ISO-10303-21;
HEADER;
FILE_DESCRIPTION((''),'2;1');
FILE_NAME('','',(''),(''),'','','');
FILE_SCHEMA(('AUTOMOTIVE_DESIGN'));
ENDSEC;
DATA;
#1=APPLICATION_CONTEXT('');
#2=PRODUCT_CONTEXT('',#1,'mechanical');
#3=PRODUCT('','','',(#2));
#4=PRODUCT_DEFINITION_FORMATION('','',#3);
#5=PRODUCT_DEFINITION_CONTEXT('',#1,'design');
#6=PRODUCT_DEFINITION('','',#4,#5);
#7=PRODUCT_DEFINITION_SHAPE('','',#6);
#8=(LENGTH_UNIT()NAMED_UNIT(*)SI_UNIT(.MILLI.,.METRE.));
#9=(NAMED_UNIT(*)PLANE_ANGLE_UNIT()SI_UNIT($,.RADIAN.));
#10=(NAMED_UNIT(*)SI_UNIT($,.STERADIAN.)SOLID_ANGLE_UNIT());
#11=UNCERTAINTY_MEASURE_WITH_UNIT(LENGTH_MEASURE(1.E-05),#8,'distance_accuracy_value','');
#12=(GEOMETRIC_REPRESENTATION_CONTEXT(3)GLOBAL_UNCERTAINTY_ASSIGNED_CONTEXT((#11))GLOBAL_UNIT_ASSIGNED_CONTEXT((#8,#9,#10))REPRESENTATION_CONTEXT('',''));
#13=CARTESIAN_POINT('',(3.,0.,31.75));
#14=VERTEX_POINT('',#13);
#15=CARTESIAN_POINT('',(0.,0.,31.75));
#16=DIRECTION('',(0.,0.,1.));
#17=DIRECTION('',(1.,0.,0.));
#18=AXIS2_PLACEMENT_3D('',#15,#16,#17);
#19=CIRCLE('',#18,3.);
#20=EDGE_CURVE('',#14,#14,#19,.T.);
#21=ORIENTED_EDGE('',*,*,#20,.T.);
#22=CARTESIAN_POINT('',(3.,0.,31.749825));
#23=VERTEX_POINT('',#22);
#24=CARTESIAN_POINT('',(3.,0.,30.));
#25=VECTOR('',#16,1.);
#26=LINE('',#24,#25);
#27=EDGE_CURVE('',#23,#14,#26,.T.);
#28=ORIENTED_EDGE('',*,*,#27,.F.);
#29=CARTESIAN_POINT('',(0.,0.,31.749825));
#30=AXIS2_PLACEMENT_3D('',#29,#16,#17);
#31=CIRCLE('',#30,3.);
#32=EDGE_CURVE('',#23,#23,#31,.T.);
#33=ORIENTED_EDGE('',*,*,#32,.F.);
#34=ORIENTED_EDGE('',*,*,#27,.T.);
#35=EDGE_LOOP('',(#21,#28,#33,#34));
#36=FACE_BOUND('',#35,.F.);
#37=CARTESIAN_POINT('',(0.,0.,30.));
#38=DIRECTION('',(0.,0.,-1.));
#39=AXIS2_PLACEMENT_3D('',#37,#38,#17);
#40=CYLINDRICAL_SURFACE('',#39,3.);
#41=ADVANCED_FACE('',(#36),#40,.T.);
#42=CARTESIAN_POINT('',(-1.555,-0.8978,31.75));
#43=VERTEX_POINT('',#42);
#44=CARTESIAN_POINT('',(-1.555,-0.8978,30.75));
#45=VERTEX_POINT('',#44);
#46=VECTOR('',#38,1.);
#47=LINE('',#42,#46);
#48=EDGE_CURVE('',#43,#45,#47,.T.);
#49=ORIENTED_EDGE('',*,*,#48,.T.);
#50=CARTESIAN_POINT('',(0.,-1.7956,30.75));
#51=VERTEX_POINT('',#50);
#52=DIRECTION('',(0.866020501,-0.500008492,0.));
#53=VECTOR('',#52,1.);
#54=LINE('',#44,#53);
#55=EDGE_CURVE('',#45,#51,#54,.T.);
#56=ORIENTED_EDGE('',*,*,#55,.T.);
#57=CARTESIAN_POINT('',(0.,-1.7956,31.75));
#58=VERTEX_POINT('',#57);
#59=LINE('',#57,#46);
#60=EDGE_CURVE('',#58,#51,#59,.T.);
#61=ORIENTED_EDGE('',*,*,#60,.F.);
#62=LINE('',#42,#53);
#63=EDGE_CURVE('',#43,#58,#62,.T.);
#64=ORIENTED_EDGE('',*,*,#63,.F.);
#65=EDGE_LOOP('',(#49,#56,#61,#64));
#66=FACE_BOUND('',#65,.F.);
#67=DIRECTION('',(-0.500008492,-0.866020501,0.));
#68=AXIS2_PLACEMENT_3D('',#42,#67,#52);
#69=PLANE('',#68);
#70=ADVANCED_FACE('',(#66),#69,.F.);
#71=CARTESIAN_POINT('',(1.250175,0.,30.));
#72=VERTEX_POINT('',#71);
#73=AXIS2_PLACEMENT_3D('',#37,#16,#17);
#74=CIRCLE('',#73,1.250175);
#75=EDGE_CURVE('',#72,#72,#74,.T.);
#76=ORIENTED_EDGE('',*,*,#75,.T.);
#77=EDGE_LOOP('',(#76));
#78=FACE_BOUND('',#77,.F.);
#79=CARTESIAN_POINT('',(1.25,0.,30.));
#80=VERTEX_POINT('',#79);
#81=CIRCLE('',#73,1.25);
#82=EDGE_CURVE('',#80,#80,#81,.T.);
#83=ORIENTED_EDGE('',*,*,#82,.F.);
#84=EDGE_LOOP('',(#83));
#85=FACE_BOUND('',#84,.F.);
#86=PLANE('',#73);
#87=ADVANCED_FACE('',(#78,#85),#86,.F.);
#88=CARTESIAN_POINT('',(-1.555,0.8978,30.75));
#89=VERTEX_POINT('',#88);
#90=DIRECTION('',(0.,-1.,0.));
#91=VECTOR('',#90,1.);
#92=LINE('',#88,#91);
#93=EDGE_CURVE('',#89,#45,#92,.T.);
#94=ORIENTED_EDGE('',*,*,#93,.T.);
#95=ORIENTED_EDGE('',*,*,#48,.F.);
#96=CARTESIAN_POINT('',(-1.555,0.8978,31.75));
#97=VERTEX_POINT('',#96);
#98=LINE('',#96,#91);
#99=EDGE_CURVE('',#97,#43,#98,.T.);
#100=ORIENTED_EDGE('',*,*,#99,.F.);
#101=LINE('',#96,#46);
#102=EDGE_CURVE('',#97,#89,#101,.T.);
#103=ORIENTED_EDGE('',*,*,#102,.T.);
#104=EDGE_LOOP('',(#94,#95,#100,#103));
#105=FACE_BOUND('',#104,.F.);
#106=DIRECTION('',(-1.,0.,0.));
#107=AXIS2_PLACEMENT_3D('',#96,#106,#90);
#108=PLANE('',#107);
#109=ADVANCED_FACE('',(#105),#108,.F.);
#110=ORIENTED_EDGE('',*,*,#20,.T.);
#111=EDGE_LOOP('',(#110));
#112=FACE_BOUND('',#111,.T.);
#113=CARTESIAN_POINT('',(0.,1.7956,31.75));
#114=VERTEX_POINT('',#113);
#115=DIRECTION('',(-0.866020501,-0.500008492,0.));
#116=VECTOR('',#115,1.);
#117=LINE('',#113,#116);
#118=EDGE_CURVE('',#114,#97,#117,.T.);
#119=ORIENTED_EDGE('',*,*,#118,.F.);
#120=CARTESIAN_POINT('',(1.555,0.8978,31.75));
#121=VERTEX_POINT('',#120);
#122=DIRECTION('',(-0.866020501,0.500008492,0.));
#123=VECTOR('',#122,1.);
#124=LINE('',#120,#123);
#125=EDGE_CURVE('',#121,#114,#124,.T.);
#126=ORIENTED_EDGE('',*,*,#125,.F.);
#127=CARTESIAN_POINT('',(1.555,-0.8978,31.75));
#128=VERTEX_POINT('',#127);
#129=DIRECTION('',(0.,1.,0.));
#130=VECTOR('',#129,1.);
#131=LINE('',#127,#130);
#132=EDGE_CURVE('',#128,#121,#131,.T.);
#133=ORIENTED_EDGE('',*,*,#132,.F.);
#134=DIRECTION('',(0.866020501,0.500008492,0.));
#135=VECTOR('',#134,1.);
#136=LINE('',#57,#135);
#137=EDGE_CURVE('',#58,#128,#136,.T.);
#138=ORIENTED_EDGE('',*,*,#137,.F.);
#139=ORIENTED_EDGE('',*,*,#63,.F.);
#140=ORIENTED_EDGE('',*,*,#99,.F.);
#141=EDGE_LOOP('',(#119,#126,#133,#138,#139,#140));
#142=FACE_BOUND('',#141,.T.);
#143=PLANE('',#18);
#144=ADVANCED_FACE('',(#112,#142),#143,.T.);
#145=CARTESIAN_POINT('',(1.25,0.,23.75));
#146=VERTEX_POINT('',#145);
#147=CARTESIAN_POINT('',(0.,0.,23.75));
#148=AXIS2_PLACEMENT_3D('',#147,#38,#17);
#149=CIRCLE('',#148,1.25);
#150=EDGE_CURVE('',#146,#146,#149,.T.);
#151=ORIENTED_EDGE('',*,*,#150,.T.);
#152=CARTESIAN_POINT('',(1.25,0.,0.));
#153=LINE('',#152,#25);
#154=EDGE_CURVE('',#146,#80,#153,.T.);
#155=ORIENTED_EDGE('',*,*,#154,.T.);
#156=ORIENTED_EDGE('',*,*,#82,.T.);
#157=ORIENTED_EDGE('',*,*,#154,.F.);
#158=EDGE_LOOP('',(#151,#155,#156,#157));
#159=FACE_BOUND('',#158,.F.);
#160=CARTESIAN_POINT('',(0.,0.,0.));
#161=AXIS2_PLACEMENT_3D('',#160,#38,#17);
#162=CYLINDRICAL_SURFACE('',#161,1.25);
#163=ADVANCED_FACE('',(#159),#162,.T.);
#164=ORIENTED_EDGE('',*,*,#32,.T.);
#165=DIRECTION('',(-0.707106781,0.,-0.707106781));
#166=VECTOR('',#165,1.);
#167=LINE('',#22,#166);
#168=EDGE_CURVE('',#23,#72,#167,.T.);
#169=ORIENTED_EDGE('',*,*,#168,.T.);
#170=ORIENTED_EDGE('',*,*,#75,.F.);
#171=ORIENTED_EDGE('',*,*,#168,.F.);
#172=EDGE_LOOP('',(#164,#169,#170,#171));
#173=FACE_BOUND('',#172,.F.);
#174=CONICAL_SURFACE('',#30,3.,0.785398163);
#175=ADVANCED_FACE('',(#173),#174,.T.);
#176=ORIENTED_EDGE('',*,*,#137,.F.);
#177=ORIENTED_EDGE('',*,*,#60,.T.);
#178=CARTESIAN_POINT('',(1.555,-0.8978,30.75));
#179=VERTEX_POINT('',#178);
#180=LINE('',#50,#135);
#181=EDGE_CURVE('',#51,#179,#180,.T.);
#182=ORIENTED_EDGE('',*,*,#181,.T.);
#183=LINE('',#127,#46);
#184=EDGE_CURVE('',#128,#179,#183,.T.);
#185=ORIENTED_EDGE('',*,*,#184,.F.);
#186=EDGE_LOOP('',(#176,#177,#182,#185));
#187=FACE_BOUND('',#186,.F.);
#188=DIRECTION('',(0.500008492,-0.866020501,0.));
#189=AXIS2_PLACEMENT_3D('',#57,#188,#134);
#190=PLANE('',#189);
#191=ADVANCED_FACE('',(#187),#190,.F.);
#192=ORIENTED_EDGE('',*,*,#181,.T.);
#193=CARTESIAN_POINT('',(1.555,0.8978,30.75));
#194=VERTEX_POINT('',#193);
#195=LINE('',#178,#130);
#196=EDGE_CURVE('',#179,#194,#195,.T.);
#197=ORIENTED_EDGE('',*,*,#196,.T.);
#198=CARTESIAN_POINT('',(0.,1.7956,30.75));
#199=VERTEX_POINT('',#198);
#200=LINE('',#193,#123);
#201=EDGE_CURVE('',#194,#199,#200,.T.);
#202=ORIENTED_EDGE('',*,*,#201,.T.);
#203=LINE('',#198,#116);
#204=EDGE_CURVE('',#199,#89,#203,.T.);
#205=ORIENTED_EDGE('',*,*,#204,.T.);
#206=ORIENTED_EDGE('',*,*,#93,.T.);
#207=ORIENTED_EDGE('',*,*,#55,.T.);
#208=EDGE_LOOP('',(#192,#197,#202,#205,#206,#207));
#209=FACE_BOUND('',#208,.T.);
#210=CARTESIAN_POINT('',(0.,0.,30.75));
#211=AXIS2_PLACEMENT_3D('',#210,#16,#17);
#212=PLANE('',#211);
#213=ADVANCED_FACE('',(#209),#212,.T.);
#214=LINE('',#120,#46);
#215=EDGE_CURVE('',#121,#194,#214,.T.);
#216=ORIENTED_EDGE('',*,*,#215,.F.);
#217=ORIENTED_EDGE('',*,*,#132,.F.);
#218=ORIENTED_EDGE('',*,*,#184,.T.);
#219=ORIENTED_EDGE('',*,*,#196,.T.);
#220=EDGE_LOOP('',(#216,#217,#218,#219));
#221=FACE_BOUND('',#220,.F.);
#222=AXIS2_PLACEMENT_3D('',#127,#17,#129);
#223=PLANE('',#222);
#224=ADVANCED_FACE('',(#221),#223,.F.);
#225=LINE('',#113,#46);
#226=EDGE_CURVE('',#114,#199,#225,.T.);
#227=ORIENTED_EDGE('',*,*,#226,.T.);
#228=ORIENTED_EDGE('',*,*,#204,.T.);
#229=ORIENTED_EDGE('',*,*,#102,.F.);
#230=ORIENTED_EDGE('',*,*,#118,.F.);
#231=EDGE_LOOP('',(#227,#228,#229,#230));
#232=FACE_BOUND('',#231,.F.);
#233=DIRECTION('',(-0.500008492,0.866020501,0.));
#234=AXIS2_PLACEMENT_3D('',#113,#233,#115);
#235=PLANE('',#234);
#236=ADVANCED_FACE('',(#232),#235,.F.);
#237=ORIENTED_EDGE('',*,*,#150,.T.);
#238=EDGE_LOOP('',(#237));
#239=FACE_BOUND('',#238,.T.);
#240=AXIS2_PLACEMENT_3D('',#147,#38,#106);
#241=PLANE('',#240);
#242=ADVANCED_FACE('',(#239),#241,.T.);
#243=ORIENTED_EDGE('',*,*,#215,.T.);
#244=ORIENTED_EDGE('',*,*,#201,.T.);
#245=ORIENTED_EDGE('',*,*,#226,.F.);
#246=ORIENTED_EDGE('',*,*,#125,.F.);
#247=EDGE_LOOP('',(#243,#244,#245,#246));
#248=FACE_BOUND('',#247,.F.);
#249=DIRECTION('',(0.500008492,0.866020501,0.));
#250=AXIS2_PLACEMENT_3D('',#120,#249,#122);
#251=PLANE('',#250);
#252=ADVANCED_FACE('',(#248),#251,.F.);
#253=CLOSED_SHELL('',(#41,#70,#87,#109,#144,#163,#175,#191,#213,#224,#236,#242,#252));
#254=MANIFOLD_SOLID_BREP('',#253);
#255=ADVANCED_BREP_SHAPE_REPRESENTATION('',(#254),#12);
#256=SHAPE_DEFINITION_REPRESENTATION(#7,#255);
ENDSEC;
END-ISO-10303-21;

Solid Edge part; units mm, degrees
sketch "Sketch1" plane through (0, 0, 0) normal (0, 0, 1) x (1, 0, 0)
  circle A0 centre (0, 0) radius 1.25
  dimension "D1" = 2.5
extrude "Protrusion1" add sketch "Sketch1" along normal blind 30
sketch "Sketch2" plane through (0, 0, 30) normal (0, 0, 1) x (1, 0, 0)
  circle A0 centre (0, 0) radius 3
extrude "ExtrudedProtrusion_2" add sketch "Sketch2" along normal blind 1.75
chamfer "Chamfer_1" distance 1.75 angle 45 1 edges at (-3, 0, 30)
sketch "Sketch3" plane through (0, 0, 31.75) normal (0, 0, 1) x (0, 1, 0)
  line L0 (0.8978, -1.555) -> (1.7956, 0)
  line L1 (1.7956, 0) -> (0.8978, 1.555)
  line L2 (0.8978, 1.555) -> (-0.8978, 1.555)
  line L3 (-0.8978, 1.555) -> (-1.7956, 0)
  line L4 (-1.7956, 0) -> (-0.8978, -1.555)
  line L5 (-0.8978, -1.555) -> (0.8978, -1.555)
extrude "ExtrudedCutout_1" cut sketch "Sketch3" against normal blind 1
sketch "Sketch4" plane through (0, 0, 0) normal (0, 0, -1) x (0, 1, 0)
  circle A0 centre (0, 0) radius 1.9215
extrude "ExtrudedCutout_2" cut sketch "Sketch4" against normal blind 23.75
revolve "RevolvedCutout1" [suppressed]
fillet "Round_1" [suppressed]
properties material "Iron, grey cast type 20"
